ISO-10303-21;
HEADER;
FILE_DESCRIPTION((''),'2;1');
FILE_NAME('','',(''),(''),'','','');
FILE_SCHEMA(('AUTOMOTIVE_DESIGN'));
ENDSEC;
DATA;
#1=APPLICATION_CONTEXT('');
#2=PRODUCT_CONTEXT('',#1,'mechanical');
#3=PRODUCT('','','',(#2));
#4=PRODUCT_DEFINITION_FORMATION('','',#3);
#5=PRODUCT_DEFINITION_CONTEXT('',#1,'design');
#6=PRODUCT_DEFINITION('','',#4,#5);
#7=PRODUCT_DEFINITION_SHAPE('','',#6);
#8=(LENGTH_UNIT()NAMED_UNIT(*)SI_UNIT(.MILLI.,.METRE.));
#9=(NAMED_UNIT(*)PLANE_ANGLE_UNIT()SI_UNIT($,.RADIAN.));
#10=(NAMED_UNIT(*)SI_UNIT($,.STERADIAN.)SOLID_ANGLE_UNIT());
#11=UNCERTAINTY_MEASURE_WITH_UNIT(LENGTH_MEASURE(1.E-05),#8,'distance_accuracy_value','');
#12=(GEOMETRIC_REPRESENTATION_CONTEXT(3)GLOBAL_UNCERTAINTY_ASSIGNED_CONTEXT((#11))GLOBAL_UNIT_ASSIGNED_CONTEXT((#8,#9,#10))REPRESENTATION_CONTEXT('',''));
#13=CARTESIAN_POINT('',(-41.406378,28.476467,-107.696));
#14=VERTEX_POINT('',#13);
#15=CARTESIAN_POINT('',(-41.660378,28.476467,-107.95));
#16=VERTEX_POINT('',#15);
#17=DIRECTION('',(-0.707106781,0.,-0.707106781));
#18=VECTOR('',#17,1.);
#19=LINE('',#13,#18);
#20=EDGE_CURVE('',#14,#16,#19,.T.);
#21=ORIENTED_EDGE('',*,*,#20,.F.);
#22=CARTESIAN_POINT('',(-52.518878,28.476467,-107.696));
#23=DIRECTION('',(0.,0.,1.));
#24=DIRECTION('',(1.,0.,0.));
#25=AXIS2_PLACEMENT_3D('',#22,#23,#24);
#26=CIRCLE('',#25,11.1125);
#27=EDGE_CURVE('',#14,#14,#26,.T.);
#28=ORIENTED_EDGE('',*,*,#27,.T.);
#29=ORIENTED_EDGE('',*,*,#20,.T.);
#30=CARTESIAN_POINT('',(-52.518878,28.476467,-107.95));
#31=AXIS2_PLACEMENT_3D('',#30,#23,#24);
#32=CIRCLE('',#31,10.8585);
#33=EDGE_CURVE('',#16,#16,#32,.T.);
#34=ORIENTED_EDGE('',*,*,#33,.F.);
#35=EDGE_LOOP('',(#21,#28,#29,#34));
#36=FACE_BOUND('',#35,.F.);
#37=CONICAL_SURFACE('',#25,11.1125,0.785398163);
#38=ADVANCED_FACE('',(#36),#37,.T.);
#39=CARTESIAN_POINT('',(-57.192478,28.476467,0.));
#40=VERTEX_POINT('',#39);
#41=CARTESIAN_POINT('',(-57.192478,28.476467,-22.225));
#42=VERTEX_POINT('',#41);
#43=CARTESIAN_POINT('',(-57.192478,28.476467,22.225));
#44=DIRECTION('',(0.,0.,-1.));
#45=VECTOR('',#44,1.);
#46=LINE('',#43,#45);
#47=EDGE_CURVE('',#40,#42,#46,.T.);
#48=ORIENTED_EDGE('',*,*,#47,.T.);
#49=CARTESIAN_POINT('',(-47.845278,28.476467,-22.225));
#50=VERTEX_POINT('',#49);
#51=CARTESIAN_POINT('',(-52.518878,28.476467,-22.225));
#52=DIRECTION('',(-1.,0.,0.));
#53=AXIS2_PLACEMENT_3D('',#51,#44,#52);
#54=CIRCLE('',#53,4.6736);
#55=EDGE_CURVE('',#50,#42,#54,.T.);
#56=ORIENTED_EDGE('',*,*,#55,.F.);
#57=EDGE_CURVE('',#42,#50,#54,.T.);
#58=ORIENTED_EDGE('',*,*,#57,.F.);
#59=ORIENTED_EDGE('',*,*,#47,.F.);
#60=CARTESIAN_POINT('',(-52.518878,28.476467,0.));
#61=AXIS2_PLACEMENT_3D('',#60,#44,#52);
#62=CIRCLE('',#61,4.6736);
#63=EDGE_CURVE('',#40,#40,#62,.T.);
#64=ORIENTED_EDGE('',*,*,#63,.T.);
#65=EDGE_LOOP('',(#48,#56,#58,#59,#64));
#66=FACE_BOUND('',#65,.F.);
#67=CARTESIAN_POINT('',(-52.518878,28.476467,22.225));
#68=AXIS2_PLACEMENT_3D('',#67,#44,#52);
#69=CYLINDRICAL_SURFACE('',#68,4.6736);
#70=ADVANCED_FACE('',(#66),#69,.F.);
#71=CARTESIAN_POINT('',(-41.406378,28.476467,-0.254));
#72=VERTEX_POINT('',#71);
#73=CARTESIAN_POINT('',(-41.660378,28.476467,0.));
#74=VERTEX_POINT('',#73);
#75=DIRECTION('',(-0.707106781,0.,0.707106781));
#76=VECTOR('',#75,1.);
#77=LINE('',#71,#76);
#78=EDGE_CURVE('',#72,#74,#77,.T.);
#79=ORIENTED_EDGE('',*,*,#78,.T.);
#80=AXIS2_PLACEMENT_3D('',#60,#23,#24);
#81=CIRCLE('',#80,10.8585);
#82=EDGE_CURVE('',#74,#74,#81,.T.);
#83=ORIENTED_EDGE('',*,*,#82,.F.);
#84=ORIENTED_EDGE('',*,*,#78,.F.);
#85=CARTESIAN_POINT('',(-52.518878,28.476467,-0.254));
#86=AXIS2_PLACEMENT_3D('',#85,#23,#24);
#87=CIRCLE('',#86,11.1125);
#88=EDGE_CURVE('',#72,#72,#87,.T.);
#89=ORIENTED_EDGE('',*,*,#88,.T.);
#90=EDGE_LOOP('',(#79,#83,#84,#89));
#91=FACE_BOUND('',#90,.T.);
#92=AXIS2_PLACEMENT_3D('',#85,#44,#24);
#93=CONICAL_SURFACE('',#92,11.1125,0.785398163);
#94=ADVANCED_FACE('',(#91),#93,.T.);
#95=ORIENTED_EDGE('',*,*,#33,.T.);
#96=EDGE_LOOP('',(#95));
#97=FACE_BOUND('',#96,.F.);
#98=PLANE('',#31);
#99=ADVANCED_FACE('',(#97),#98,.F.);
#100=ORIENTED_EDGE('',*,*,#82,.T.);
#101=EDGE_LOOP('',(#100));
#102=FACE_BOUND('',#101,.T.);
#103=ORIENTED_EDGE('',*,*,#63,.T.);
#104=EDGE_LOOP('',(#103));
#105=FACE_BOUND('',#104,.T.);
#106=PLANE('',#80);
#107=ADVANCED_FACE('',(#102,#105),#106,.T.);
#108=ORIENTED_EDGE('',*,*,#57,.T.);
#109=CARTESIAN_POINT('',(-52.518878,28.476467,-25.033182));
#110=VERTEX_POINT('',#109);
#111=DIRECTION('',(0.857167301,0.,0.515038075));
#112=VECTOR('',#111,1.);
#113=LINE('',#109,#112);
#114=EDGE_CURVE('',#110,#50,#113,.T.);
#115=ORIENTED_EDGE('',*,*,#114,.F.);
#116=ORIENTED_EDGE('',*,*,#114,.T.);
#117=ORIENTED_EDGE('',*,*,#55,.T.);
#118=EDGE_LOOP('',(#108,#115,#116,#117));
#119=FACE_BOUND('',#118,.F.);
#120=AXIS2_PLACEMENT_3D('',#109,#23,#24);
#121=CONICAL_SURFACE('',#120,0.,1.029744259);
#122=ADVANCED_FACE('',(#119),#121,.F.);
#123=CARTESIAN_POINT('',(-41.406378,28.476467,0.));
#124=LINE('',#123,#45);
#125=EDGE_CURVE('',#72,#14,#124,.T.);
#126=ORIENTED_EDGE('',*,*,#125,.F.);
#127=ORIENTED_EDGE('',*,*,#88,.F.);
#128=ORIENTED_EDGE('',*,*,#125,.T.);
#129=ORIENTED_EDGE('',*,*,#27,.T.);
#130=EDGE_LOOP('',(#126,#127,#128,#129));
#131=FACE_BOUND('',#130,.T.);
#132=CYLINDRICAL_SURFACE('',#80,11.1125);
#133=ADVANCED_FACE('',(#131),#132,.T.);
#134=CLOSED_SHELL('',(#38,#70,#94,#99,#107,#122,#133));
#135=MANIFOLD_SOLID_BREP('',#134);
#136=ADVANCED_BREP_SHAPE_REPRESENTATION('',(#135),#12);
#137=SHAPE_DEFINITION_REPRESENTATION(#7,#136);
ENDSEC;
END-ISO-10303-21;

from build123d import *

# Parameters (mm, degrees)
F0_R     = 11.1125
F1_DEPTH = 107.95
F2_SIZE2 = 0.254
F2_SIZE  = 0.254
F3_D     = 9.3472
F3_DEPTH = 22.225
F3_TIP   = 2.8081821891


with BuildPart() as f1:
    # F0 (on Top) → F1 (new body)
    with BuildSketch(Plane.XY):
        with Locations((-52.5188781321, 28.4764673561)):
            Circle(F0_R)
    extrude(amount=-F1_DEPTH)

    # F2
    f2_edges = [f1.edges().sort_by_distance(p)[0] for p in [
        (-63.631378, 28.476467, 0),
        (-63.631378, 28.476467, -107.95),
    ]]
    chamfer(f2_edges, length=F2_SIZE, length2=F2_SIZE2)

    # F3
    with Locations(Plane.XY):
        with Locations((-52.5188781321, 28.4764673561)):
            Hole(F3_D / 2, depth=F3_DEPTH)
            with Locations((0, 0, -(F3_DEPTH + F3_TIP / 2))):  # 118° drill point
                Cone(0, F3_D / 2, F3_TIP, mode=Mode.SUBTRACT)


solid = f1.part
